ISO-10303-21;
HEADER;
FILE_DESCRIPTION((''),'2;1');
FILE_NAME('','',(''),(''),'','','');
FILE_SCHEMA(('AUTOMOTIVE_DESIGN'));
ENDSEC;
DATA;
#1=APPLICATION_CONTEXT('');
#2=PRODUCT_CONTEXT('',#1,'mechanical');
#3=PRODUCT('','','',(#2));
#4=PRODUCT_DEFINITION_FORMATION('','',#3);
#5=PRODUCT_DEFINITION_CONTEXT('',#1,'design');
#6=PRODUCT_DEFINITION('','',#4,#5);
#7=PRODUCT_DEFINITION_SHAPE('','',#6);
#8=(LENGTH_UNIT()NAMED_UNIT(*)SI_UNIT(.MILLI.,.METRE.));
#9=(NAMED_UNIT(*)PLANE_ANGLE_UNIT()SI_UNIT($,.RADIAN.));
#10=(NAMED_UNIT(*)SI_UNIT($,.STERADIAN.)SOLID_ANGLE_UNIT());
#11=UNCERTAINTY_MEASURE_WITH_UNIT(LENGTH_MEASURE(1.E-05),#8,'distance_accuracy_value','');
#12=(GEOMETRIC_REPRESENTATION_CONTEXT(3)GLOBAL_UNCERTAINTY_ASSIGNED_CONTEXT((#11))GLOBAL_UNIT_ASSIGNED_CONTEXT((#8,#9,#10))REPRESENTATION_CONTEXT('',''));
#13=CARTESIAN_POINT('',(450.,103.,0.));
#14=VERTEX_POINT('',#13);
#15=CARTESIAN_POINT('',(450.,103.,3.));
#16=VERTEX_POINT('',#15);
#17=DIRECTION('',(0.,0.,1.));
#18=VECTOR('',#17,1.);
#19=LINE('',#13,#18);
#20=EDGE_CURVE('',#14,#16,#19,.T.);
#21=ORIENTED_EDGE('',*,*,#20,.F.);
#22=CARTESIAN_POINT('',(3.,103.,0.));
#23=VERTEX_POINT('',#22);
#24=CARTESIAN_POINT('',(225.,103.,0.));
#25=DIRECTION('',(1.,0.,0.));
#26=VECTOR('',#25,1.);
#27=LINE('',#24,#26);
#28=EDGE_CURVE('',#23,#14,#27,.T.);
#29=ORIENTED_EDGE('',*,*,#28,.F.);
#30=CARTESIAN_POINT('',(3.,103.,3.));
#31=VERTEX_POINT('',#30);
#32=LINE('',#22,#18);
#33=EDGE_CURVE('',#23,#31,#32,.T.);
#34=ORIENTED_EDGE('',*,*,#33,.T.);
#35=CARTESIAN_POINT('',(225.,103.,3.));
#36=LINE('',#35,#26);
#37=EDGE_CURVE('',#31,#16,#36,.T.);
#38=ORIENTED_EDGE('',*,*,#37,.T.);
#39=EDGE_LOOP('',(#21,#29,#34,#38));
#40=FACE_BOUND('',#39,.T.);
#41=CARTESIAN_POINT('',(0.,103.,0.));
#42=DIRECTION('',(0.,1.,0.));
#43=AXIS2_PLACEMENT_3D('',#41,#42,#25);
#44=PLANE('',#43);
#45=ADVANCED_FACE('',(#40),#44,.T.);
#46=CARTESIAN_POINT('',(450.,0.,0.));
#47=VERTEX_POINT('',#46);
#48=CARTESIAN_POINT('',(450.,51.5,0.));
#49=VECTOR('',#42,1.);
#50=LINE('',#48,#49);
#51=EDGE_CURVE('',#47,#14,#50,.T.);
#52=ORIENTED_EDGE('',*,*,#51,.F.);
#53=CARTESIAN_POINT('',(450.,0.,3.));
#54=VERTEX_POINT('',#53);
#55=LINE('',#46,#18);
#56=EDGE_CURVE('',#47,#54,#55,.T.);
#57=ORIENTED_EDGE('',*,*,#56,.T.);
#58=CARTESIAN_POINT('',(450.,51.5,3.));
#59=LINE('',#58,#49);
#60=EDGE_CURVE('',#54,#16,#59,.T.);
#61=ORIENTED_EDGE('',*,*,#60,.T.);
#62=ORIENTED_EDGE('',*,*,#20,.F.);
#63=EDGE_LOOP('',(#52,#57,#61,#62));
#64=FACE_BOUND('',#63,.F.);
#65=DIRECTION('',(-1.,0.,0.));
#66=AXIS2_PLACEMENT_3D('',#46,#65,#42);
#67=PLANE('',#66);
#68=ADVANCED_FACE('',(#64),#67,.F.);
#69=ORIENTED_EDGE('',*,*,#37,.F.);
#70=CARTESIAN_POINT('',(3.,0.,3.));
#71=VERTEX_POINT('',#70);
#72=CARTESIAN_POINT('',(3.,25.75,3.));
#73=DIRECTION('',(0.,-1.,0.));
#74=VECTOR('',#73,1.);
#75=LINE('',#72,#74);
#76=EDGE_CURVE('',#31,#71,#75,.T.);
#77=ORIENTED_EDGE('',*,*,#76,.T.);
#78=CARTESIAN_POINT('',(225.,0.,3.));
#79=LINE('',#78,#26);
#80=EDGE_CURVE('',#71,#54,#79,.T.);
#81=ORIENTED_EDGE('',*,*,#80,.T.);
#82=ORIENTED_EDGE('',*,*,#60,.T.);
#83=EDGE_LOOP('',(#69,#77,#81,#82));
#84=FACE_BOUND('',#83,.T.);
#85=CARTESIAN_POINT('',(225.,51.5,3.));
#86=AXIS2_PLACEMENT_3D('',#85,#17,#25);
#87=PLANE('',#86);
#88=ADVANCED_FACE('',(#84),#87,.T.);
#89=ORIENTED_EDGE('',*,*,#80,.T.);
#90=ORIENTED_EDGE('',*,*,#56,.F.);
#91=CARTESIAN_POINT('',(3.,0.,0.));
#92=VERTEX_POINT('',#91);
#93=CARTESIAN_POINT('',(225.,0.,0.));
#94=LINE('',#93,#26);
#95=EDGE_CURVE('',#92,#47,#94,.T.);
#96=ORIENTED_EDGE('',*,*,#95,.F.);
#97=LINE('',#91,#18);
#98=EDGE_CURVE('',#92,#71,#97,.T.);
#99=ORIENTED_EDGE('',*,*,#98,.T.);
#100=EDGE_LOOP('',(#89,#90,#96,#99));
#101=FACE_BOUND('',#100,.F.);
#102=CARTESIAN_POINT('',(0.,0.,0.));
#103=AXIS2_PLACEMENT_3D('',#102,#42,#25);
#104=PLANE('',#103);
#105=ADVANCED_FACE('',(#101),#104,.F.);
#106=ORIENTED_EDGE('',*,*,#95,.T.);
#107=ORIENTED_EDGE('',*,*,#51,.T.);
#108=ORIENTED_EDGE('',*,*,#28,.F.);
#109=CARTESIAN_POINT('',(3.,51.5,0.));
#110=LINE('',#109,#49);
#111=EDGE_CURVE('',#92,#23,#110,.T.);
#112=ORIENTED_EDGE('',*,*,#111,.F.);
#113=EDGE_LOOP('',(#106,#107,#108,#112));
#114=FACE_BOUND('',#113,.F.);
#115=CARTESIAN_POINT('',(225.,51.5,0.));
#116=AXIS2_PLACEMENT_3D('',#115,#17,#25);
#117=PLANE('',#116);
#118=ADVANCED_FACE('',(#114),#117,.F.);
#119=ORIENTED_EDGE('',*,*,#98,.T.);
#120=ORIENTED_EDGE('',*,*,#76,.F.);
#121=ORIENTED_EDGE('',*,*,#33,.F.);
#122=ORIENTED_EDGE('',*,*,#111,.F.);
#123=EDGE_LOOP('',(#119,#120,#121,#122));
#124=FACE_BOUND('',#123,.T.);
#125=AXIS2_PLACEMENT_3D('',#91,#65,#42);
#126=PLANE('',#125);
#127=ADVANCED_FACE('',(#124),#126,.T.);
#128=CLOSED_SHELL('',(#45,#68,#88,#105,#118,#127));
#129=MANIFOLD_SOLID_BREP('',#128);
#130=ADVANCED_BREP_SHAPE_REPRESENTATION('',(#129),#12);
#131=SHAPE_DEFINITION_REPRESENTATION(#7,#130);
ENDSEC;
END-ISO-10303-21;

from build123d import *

# Parameters (mm, degrees)
SKETCH1_W           = 450
SKETCH1_H           = 103
BOSS_EXTRUDE1_DEPTH = 3
SKETCH7_W           = 3
SKETCH7_H           = 103
CUT_EXTRUDE5_DEPTH  = 10


with BuildPart() as part:
    # Sketch1 → Boss-Extrude1 (new body)
    with BuildSketch(Plane.XY):
        with Locations((225, 51.5)):
            Rectangle(SKETCH1_W, SKETCH1_H)
    extrude(amount=BOSS_EXTRUDE1_DEPTH)

    # Sketch7 → Cut-Extrude5 (cut)
    with BuildSketch(Plane(origin=(0, 0, 0), x_dir=(-1, 0, 0), z_dir=(0, 0, -1))):
        with Locations((-1.5, 51.5)):
            Rectangle(SKETCH7_W, SKETCH7_H)
    extrude(amount=-CUT_EXTRUDE5_DEPTH, mode=Mode.SUBTRACT)


solid = part.part
